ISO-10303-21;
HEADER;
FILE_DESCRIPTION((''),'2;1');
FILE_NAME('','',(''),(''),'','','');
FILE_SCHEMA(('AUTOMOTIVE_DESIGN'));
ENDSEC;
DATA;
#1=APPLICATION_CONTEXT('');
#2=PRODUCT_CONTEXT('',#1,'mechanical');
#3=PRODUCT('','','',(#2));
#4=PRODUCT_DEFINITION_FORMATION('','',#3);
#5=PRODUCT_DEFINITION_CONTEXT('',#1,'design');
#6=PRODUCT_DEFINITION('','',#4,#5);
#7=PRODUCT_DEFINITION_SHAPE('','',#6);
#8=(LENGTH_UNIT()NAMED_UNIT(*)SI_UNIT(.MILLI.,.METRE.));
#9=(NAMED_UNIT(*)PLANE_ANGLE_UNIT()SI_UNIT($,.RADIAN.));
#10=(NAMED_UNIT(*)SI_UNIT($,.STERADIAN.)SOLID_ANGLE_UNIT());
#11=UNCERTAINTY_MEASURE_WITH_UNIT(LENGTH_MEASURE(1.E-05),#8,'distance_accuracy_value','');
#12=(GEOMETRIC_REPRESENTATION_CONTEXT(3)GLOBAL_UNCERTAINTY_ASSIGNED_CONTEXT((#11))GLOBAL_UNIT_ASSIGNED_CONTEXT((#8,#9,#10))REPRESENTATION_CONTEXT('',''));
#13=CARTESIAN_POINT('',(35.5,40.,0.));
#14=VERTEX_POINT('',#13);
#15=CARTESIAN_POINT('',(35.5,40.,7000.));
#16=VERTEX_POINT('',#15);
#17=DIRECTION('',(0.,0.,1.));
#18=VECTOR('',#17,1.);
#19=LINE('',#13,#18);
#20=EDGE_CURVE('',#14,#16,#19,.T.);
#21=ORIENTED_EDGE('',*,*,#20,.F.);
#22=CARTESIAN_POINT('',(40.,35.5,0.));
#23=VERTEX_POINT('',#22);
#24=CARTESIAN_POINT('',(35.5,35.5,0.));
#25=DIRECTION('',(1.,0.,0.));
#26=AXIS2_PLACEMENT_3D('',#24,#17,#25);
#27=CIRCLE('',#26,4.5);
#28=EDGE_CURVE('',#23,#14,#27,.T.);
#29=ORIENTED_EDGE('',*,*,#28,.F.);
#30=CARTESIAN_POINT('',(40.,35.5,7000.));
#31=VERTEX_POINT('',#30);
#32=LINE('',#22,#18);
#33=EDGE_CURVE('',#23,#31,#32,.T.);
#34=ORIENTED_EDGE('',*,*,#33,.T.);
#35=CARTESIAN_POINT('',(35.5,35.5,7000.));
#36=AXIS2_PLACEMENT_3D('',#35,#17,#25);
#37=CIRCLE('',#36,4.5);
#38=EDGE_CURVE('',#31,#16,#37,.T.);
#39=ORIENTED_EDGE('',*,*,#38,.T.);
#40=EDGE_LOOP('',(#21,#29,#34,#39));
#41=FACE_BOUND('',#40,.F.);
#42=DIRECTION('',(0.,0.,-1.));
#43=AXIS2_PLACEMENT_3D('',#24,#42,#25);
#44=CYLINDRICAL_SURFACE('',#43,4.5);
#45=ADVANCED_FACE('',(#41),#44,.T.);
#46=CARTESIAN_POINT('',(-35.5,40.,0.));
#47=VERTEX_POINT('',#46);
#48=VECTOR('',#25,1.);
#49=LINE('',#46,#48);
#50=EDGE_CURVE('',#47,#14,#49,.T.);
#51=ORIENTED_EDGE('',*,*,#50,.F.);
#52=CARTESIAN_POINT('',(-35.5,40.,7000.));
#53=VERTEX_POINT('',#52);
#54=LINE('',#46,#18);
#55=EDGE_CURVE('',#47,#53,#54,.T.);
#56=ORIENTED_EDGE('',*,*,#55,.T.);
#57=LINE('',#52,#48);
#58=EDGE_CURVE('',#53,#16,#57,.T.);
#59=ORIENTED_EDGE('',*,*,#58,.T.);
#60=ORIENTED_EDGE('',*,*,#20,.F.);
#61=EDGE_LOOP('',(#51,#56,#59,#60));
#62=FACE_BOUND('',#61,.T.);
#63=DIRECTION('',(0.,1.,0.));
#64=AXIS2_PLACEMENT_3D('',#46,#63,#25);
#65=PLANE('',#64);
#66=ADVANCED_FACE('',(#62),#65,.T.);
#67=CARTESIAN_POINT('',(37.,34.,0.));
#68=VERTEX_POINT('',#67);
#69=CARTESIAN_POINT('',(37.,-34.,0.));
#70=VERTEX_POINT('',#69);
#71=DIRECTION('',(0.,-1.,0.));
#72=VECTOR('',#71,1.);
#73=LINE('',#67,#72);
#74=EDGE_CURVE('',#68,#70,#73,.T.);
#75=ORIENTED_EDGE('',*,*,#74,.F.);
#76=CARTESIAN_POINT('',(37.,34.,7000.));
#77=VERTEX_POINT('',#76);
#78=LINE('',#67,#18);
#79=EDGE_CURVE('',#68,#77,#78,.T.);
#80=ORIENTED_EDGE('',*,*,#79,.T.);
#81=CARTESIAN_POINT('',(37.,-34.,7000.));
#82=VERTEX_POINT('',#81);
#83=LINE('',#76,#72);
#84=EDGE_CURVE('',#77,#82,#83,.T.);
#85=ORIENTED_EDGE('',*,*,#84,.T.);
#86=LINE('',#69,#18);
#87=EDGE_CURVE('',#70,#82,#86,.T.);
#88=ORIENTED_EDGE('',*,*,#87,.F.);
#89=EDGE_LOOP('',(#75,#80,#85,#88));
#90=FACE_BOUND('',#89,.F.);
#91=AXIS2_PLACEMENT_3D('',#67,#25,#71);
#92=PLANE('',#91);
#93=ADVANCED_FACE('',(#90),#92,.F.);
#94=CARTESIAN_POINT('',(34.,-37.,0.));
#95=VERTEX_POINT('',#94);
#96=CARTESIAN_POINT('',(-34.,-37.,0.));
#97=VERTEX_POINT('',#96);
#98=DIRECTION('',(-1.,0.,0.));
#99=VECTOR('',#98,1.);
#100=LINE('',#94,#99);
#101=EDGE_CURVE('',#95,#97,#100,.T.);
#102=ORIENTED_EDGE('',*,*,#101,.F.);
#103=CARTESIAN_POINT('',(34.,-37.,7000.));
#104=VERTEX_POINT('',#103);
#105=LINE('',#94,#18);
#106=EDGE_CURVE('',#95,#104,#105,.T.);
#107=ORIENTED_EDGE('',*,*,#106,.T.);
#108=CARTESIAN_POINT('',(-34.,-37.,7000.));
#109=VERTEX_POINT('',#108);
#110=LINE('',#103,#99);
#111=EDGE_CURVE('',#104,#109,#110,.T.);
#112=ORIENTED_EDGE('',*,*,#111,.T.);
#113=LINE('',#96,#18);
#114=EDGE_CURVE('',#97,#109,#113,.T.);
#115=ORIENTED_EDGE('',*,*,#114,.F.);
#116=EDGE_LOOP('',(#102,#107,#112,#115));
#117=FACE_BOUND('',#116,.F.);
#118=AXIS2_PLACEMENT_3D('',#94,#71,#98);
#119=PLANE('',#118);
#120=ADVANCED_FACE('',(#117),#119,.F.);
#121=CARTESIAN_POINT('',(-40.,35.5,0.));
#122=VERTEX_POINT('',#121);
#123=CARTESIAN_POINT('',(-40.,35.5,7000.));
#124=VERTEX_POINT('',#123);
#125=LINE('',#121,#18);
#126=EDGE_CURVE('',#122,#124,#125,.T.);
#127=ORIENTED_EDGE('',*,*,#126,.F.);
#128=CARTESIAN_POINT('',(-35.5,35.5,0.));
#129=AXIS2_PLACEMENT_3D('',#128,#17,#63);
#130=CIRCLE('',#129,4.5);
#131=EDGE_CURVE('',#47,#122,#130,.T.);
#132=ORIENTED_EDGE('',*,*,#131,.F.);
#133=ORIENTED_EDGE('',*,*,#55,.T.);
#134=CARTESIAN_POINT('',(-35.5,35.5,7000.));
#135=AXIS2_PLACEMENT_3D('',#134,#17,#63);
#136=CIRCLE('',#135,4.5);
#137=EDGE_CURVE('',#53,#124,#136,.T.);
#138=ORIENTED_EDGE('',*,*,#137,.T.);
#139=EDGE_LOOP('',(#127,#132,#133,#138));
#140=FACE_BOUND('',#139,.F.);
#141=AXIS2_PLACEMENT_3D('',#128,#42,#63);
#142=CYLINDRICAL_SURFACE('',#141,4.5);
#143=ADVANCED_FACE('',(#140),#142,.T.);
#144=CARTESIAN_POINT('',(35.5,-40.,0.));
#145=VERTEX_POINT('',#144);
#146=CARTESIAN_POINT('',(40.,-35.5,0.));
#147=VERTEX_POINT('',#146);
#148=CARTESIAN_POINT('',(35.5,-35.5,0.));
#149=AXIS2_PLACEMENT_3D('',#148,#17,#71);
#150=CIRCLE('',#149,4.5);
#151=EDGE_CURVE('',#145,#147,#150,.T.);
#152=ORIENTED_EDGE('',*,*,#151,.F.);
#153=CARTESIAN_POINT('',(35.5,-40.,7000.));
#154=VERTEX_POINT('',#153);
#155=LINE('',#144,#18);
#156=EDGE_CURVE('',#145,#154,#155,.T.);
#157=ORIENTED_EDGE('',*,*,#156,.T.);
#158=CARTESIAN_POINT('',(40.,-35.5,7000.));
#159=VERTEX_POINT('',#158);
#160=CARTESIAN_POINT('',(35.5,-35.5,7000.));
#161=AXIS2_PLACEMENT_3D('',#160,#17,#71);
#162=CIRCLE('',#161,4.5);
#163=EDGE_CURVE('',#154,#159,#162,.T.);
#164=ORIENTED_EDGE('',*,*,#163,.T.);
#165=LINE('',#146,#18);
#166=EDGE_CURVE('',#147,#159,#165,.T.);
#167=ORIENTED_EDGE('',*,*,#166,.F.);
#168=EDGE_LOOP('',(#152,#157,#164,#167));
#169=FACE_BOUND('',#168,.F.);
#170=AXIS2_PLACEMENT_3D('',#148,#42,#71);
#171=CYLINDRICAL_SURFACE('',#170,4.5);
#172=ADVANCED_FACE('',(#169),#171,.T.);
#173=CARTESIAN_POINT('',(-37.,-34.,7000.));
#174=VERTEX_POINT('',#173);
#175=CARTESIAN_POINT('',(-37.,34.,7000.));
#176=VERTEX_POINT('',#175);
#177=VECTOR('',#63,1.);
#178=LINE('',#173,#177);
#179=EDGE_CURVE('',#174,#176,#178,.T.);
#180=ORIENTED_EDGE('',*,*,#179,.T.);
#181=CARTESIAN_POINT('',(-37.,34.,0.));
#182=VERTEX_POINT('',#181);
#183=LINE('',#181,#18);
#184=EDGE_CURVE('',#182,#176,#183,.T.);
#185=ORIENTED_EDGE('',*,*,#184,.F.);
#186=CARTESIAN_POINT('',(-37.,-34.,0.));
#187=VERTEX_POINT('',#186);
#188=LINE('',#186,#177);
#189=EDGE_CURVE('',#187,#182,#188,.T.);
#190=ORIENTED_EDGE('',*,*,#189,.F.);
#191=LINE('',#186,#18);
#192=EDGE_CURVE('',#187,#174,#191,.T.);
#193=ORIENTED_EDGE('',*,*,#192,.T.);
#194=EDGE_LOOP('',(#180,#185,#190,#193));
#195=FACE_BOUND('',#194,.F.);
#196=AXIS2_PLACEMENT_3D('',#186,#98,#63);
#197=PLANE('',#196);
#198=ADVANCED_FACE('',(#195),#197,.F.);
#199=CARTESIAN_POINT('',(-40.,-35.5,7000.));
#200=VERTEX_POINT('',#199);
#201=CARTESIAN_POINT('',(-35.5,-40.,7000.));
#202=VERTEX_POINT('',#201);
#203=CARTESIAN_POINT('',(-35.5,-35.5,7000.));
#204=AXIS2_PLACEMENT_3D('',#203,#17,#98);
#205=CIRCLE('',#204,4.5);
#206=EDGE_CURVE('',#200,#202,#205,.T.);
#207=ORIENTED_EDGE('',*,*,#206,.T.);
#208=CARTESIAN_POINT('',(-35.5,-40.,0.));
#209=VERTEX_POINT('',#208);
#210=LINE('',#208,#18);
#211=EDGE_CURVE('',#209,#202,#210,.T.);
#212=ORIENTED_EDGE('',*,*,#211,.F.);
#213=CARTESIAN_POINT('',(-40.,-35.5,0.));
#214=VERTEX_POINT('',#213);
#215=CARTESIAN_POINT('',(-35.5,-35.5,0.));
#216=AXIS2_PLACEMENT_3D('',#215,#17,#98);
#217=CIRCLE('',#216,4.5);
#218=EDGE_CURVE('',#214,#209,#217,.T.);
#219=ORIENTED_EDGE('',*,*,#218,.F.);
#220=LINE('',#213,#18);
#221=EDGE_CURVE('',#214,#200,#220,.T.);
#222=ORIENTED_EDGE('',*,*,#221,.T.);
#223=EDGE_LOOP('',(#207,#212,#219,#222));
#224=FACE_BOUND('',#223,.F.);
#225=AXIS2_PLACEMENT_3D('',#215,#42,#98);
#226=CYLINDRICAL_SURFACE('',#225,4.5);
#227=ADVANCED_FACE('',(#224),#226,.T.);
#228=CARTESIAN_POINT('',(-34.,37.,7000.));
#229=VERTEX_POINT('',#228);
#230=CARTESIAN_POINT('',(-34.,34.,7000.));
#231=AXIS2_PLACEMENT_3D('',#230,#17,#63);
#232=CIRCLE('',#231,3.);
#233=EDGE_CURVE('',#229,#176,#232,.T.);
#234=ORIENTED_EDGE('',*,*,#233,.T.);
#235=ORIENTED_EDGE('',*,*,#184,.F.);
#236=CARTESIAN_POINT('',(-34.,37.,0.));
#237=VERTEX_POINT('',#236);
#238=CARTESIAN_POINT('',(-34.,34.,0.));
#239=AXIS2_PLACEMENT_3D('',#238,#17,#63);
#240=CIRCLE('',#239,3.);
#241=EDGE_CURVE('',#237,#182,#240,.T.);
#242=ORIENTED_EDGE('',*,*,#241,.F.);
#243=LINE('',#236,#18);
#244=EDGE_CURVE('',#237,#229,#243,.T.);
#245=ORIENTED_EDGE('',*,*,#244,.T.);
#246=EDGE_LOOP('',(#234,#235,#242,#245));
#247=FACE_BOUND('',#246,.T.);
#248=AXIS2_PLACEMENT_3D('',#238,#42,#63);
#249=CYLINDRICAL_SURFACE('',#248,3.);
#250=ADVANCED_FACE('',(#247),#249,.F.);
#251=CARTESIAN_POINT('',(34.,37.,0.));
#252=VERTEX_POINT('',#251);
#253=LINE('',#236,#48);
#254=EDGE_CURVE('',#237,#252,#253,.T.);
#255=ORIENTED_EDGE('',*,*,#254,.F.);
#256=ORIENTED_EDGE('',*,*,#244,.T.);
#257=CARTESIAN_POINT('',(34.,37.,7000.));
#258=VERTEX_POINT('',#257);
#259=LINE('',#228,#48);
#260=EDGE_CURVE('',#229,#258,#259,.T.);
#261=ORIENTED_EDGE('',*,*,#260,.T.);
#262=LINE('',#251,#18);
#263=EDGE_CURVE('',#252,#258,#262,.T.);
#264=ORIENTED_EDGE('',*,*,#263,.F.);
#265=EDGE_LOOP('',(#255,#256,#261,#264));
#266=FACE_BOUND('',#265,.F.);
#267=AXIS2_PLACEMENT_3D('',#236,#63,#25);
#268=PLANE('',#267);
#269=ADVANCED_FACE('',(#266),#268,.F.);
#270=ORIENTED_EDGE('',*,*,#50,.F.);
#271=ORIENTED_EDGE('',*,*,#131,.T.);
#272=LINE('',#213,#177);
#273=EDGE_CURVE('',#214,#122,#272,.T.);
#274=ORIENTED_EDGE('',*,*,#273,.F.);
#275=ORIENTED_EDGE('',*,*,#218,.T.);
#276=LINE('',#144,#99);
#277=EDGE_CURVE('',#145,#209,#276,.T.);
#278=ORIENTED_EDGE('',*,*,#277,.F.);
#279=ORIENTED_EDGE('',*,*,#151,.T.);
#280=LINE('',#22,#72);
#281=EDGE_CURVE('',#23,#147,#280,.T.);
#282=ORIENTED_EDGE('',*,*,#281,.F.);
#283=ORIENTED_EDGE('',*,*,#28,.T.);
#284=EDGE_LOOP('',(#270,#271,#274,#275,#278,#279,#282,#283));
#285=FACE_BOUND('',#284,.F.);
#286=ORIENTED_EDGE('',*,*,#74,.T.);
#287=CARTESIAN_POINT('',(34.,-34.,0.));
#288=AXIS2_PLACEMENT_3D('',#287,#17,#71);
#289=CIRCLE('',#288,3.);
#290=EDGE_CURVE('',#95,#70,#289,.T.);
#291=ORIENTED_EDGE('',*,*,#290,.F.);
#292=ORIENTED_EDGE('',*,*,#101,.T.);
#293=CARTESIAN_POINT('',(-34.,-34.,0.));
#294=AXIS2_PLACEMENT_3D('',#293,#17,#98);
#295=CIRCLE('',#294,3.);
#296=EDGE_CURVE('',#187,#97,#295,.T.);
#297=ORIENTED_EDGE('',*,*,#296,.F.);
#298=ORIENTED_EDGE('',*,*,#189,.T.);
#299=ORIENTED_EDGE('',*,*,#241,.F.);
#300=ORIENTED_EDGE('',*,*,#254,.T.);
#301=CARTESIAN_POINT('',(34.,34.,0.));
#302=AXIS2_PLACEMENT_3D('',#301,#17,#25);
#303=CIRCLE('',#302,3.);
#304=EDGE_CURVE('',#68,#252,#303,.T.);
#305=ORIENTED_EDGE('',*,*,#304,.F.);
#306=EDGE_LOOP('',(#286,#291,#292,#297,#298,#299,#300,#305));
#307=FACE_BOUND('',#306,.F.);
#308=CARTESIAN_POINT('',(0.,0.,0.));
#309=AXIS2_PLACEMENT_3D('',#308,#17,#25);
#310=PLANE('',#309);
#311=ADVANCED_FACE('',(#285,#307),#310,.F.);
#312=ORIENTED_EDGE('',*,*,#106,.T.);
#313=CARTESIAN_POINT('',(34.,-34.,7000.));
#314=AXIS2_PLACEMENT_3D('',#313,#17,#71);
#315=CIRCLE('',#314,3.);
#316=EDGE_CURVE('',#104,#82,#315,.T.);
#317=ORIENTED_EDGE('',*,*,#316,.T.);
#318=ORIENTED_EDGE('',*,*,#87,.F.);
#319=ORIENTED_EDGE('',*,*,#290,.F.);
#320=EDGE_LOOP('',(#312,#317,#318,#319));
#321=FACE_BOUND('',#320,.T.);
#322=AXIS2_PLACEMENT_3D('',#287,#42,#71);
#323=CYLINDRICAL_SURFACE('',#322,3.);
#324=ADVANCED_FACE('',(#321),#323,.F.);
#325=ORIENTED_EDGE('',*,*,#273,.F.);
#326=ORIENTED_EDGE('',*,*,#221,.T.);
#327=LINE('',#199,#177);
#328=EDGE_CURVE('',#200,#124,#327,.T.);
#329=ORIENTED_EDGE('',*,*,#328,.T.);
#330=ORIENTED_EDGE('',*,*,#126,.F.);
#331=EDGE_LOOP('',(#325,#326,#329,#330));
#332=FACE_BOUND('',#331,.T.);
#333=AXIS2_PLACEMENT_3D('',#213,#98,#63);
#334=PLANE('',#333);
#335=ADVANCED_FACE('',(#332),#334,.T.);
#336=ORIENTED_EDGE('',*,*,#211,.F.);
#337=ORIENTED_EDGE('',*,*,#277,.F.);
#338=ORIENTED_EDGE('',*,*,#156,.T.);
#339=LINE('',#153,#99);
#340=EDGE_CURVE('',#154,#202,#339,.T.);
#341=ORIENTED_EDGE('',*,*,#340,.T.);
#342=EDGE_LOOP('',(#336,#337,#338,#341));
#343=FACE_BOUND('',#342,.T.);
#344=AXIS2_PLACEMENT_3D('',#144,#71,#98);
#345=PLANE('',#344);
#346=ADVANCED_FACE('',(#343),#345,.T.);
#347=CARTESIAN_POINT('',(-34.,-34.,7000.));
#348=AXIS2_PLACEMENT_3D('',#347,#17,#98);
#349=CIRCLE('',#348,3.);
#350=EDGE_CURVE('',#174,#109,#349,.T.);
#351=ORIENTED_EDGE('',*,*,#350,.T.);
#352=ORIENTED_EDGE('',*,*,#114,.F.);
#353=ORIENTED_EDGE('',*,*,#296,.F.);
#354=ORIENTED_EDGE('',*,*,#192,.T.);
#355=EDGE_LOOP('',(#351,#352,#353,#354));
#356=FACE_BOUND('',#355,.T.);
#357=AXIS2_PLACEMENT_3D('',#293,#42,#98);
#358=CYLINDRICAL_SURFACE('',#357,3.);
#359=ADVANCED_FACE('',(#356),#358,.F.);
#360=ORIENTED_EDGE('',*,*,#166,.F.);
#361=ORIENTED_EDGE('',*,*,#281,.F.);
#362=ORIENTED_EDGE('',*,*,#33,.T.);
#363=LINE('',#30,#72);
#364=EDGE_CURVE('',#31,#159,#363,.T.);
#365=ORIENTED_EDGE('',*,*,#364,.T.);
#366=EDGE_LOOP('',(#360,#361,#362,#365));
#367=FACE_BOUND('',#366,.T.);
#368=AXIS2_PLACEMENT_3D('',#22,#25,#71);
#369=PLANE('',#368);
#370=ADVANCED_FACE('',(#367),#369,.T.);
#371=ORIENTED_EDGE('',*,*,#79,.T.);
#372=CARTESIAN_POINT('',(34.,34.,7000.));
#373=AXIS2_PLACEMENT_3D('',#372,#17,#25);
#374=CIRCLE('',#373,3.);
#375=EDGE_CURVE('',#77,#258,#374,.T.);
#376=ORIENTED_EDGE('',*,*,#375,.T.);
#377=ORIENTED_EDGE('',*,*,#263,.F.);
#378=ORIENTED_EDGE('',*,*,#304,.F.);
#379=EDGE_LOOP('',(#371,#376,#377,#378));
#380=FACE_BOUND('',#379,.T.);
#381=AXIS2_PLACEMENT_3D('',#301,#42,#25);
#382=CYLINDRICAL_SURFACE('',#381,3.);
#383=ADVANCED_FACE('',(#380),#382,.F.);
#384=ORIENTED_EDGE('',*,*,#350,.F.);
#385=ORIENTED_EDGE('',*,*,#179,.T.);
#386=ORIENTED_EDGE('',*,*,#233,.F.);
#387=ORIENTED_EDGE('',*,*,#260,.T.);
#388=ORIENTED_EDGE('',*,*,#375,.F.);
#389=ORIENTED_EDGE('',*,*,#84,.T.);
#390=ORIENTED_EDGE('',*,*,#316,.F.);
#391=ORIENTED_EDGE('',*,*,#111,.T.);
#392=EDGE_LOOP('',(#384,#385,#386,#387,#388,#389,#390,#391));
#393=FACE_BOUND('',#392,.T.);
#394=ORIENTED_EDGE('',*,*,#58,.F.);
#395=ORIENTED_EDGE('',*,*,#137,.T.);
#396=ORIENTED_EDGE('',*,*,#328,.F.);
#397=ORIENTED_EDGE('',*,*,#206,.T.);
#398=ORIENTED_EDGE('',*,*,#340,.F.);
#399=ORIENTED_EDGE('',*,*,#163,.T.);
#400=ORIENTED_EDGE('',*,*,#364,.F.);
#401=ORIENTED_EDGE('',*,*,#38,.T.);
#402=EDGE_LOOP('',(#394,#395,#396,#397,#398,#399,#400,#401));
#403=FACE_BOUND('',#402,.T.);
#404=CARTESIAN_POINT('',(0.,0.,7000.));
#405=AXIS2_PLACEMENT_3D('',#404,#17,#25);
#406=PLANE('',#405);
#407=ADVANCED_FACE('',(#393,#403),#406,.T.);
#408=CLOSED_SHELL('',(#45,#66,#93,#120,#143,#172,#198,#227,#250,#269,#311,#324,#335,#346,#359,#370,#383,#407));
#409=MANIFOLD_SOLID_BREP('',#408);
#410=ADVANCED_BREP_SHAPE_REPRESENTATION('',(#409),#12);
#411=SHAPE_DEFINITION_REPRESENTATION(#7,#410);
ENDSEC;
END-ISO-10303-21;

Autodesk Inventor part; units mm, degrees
ref_plane "YZ Plane" through (0, 0, 0) normal (1, 0, 0) x (0, 1, 0)
ref_plane "Start plane" through (0, 0, 0) normal (0, 0, 1) x (1, 0, 0)
ref_plane "End plane" through (0, 0, 7000) normal (0, 0, 1) x (1, 0, 0)
sketch "Sketch" plane through (0, 0, 0) normal (0, 0, 1) x (1, 0, 0)
  line L0 (-40, -35.5) -> (-40, 35.5)
  line L1 (-35.5, 40) -> (35.5, 40)
  line L2 (40, 35.5) -> (40, -35.5)
  line L3 (35.5, -40) -> (-35.5, -40)
  arc A0 (-40, -35.5) -> (-35.5, -40) centre (-35.5, -35.5) ccw
  arc A1 (-35.5, 40) -> (-40, 35.5) centre (-35.5, 35.5) ccw
  arc A2 (40, 35.5) -> (35.5, 40) centre (35.5, 35.5) ccw
  arc A3 (35.5, -40) -> (40, -35.5) centre (35.5, -35.5) ccw
  line L4 (-34, 37) -> (34, 37)
  line L5 (37, 34) -> (37, -34)
  line L6 (34, -37) -> (-34, -37)
  line L7 (-37, -34) -> (-37, 34)
  line L8 (0, 37.1021) -> (0, -37.1021) construction
  line L9 (-23.1021, 0) -> (23.1021, 0) construction
  arc A4 (-37, -34) -> (-34, -37) centre (-34, -34) ccw
  arc A5 (-34, 37) -> (-37, 34) centre (-34, 34) ccw
  arc A6 (37, 34) -> (34, 37) centre (34, 34) ccw
  arc A7 (34, -37) -> (37, -34) centre (34, -34) ccw
  dimension "d7" = 4.5
  dimension "d10" = 80
  dimension "d11" = 80
  dimension "d12" = 3
  dimension "d15" = 40
  dimension "d16" = 40
  dimension "d19" = 3
  dimension "d20" = 3
extrude "Body" add sketch "Sketch" along normal up to surface (7000 mm away) from surface at 0
sketch "Sketch3" plane through (0, 0, 0) normal (0, 0, 1) x (1, 0, 0)
  line L0 (0, 0) -> (10, 0)
ref_plane "Work Plane3" through (0, 0, 0) normal (0, -1, 0) x (1, 0, 0)
sketch "Sketch4" plane through (0, 0, 0) normal (0, -1, 0) x (1, 0, 0)
  line L0 (-2, 0) -> (12, 0) projected
  line L1 (-2, 7000) -> (12, 7000) projected
  dimension "d18" = 7000
equation "\"d7\" = G_IR"
equation "\"d10\" = G_H"
equation "\"d11\" = G_W"
equation "\"d12\" = G_T"
equation "\"d15\" = 0.5 * d10"
equation "\"d16\" = 0.5 * d11"
equation "\"d19\" = G_T"
equation "\"d20\" = G_T"
equation "\"d3\" = G_L"
equation "\"G_W\" = 80"
equation "\"G_H\" = 80"
equation "\"G_T\" = 3"
equation "\"G_IR\" = 4.5"
equation "\"G_L\" = d18"
equation "\"G_OFFSET_START\" = 0"
equation "\"G_OFFSET_END\" = 0"
properties part number "DIN EN 10210-2 - 80 x 80 x 3 - 7000" material "Steel, Mild"
